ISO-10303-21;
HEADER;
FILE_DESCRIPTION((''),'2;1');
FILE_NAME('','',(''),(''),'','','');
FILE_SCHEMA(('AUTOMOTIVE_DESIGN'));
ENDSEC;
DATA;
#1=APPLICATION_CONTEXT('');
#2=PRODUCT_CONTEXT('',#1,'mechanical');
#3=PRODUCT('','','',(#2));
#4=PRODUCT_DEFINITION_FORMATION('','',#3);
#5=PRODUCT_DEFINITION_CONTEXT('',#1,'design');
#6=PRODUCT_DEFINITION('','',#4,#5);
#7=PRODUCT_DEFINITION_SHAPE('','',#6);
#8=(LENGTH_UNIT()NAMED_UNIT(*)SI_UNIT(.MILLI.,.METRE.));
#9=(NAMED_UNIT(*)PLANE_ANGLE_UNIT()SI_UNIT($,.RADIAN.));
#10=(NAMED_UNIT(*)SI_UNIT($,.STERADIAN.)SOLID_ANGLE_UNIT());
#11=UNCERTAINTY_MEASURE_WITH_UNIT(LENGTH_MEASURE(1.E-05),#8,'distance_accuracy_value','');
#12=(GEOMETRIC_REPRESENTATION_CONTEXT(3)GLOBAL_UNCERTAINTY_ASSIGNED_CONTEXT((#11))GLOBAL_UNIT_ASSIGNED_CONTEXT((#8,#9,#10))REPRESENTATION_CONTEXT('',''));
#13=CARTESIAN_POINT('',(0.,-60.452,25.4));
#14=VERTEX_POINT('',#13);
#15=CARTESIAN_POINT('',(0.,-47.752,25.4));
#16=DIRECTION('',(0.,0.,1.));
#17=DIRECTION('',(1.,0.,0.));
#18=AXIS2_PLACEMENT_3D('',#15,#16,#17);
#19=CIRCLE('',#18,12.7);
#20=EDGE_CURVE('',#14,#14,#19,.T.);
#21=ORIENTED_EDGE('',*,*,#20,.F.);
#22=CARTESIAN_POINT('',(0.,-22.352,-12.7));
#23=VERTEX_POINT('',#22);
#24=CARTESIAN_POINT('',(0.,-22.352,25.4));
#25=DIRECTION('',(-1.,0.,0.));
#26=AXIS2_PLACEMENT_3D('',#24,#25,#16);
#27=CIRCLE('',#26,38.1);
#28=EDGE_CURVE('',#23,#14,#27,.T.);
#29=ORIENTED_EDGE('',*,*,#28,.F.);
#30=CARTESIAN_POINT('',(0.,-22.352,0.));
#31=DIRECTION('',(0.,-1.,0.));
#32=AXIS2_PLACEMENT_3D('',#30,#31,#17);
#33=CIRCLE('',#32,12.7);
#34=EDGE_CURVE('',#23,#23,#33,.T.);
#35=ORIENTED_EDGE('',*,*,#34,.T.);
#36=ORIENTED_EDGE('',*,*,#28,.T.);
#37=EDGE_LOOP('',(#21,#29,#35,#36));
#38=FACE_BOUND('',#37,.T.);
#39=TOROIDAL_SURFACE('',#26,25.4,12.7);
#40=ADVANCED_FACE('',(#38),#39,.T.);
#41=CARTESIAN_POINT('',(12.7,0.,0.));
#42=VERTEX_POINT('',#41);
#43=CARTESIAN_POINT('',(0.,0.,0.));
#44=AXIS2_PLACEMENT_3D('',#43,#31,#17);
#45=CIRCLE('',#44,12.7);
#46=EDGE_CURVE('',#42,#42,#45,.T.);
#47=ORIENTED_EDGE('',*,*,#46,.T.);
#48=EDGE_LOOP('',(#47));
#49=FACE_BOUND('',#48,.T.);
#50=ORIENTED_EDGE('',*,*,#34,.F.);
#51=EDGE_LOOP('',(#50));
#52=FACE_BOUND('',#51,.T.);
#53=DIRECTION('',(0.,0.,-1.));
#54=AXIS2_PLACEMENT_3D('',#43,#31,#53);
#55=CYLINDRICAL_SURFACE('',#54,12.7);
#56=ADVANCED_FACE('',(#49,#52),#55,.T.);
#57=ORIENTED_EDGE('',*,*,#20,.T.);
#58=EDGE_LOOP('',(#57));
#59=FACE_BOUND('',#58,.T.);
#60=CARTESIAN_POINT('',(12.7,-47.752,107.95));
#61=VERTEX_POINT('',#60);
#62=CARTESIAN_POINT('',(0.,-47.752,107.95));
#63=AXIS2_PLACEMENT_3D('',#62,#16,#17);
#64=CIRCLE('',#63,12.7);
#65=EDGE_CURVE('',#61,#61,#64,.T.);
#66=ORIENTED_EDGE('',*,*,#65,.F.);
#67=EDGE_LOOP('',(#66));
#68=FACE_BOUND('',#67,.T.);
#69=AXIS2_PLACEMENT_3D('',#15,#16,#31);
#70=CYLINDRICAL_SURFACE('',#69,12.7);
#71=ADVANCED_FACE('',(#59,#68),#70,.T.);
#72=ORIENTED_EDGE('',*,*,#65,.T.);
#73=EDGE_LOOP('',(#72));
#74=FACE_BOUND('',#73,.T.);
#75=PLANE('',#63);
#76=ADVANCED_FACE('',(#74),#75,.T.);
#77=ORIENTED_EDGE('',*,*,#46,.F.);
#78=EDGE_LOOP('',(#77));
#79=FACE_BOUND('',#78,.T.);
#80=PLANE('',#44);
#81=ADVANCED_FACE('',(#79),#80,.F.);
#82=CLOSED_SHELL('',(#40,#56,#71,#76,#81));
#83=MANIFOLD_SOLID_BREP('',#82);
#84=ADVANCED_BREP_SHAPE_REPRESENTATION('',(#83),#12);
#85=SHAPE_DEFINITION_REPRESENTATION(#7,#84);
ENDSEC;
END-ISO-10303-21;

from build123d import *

# Parameters (mm, degrees)
SKETCH3_R = 12.7


with BuildPart() as part:
    # Sweep1: sweep along a path in Sketch2
    with BuildLine(Plane(origin=(0, 0, 0), x_dir=(0, 0, -1), z_dir=(1, 0, 0))) as sweep1_path:
        Line((0, 0), (0, -22.352))
        ThreePointArc((0, -22.352), (-7.439487758, -40.312512242), (-25.4, -47.752))
        Line((-25.4, -47.752), (-107.95, -47.752))
    # Sketch3 → Sweep1 (sweep)
    with BuildSketch(Plane.XY.offset(107.95)):
        with Locations((0, -47.752)):
            Circle(SKETCH3_R)
    sweep(path=sweep1_path.line)


solid = part.part
